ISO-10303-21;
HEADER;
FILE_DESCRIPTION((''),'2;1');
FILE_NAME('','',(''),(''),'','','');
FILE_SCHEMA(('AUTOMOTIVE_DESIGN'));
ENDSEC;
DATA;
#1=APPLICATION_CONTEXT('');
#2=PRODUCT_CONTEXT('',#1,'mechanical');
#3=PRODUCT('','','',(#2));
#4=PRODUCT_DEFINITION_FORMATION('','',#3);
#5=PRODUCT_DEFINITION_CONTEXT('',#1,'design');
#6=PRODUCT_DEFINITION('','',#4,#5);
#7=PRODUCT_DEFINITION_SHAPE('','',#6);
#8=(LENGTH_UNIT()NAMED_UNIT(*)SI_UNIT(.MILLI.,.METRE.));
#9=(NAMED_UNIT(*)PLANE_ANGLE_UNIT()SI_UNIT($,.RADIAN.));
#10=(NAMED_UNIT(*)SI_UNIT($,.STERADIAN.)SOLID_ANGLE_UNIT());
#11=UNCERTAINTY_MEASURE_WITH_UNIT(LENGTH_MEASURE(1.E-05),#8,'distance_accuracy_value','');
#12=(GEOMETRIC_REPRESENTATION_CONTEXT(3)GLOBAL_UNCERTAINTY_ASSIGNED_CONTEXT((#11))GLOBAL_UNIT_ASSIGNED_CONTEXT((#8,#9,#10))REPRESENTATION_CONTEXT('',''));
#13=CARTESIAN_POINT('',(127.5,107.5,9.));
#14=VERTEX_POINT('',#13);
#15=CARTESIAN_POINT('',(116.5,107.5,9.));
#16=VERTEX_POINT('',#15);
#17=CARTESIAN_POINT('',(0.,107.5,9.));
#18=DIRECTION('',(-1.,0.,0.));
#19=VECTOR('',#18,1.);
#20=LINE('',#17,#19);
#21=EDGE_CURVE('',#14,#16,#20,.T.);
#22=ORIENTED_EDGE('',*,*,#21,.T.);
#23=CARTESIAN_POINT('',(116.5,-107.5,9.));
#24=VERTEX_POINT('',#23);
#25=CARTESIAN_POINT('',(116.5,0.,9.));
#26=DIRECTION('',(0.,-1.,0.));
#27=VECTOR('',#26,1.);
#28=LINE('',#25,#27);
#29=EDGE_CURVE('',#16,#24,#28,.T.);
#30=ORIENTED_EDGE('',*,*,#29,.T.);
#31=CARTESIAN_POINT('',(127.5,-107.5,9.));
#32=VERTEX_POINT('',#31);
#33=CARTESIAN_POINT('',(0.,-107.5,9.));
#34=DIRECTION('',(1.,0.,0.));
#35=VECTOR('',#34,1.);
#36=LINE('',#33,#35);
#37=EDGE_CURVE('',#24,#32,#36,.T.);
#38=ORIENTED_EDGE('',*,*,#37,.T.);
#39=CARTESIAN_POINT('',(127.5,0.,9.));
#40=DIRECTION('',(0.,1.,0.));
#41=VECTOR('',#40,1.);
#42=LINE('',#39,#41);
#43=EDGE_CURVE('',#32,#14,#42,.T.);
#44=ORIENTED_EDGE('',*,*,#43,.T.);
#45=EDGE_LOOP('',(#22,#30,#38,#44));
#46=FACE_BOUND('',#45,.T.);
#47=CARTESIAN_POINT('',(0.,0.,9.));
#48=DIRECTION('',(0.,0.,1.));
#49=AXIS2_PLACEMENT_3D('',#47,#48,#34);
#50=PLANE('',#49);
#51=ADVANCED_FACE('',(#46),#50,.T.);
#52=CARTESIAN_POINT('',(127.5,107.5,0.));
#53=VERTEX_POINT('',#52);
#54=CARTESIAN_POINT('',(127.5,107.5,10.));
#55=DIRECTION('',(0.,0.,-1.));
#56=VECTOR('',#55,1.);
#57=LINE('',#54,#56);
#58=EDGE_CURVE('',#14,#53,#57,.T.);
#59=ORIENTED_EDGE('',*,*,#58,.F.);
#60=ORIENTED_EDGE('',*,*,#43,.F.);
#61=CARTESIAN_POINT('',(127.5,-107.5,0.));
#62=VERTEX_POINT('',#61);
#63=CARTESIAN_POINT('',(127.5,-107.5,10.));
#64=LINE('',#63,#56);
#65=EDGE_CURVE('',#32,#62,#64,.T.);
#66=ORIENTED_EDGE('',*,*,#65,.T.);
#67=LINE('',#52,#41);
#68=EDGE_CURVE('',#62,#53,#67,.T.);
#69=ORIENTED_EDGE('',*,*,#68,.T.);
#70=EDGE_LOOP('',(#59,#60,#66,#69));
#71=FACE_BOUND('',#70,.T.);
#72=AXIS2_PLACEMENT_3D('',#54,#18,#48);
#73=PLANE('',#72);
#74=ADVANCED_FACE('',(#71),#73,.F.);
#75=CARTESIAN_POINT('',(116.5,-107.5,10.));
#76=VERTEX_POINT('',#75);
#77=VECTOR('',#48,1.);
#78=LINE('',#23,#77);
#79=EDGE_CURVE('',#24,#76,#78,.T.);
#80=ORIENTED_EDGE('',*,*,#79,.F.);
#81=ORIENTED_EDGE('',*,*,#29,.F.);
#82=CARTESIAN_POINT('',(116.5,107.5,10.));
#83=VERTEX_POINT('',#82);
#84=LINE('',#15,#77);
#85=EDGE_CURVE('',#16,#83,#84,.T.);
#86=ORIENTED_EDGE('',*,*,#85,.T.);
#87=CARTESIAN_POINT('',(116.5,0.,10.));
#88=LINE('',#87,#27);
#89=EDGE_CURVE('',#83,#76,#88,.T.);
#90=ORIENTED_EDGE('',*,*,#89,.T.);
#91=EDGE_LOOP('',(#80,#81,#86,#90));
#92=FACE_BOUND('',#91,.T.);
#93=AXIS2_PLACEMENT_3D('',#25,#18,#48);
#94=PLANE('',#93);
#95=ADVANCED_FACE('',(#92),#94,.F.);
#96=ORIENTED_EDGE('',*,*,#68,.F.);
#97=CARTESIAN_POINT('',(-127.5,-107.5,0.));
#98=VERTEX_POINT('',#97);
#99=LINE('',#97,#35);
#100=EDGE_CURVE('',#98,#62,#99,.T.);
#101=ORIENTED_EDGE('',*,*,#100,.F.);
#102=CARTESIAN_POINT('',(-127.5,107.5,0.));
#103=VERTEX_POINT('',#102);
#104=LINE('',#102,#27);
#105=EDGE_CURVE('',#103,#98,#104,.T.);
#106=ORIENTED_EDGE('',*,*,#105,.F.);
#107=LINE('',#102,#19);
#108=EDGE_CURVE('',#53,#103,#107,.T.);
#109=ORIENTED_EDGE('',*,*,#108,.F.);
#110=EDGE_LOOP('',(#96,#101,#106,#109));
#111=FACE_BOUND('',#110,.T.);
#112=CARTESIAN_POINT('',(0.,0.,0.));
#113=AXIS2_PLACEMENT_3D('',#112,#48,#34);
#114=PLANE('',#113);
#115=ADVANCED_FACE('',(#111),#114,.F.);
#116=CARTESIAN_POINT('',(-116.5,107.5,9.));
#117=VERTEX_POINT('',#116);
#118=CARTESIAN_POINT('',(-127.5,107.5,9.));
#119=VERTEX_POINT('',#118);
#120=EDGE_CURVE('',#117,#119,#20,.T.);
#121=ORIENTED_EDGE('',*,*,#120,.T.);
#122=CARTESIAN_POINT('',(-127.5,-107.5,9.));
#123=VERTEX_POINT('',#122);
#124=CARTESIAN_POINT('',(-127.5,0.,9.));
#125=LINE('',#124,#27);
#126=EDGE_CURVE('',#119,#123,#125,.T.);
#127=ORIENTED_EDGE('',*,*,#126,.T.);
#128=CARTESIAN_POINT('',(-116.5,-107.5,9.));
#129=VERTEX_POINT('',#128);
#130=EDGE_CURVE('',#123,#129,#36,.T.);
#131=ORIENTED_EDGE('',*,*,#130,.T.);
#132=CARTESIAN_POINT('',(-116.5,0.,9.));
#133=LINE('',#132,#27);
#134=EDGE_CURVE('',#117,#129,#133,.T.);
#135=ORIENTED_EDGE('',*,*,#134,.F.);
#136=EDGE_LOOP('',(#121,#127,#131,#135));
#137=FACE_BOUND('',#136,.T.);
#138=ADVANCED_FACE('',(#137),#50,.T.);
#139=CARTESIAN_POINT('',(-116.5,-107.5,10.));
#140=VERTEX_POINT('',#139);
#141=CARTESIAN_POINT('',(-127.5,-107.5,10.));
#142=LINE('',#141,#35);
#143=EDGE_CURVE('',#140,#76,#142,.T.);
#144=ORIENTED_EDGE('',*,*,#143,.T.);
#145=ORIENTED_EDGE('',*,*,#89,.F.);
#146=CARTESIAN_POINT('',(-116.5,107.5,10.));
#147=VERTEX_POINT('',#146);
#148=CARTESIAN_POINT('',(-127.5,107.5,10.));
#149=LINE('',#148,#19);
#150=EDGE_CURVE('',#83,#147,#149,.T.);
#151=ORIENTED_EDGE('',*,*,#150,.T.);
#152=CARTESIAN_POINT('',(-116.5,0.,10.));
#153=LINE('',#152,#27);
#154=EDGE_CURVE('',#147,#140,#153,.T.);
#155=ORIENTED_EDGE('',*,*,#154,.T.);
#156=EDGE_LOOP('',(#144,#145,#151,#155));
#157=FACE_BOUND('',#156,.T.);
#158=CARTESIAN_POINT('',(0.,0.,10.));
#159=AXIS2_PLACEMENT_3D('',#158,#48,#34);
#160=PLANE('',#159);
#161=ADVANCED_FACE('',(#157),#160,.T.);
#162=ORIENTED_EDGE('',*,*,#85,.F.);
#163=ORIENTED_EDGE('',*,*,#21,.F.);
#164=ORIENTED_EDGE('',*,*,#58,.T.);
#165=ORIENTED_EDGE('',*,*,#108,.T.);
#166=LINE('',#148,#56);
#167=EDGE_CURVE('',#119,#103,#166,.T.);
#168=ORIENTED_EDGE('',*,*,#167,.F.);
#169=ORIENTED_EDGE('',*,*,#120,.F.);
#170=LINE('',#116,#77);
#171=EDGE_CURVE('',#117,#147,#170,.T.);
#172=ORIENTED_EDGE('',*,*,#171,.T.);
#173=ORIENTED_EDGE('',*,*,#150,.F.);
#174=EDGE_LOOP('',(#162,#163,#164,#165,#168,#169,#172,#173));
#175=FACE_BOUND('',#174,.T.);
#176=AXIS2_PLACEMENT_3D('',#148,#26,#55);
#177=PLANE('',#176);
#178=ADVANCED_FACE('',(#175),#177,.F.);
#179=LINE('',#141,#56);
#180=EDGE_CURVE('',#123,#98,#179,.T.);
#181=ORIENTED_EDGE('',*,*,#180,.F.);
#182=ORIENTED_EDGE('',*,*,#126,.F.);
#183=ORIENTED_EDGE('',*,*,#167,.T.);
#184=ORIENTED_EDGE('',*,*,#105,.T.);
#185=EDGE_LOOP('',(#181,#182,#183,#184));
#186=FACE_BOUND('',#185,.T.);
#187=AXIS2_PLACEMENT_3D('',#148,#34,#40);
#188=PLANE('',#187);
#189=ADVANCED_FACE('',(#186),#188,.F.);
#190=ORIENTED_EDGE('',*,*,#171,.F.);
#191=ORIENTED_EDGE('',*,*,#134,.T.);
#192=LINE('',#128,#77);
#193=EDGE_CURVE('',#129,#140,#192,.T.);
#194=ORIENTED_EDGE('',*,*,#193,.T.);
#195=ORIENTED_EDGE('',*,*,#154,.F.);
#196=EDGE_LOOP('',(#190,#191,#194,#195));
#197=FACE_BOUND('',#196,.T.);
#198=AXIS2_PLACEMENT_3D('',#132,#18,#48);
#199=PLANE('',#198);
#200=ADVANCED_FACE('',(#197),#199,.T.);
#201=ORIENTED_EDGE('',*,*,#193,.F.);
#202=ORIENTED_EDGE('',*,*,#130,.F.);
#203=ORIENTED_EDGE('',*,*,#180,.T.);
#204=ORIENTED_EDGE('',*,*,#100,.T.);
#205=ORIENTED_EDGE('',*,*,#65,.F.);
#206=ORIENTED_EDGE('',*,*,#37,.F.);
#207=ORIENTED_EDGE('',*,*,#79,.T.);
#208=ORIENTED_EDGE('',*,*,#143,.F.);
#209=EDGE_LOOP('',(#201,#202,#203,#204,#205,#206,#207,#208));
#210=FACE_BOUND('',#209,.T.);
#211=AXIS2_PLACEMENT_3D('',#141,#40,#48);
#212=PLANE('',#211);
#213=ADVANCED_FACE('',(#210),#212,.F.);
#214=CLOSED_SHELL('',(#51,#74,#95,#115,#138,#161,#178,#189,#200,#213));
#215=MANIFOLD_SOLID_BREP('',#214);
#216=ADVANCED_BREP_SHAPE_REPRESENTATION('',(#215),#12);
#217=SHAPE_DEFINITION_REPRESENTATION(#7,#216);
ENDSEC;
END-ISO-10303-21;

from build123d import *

# Parameters (mm, degrees)
ESQUISSE1_W             = 255
ESQUISSE1_H             = 215
BOSS_EXTRU_1_DEPTH      = 10
ESQUISSE2_W             = 11
ESQUISSE2_H             = 215
ENL_V_MAT_EXTRU_1_DEPTH = 1


with BuildPart() as part:
    # Esquisse1 → Boss.-Extru.1 (new body)
    with BuildSketch(Plane.XY):
        Rectangle(ESQUISSE1_W, ESQUISSE1_H)
    extrude(amount=BOSS_EXTRU_1_DEPTH)

    # Esquisse2 → Enlèv. mat.-Extru.1 (cut)
    with BuildSketch(Plane.XY.offset(10)):
        with Locations((-122, 0)):
            Rectangle(ESQUISSE2_W, ESQUISSE2_H)
        with Locations((122, 0)):
            Rectangle(ESQUISSE2_W, ESQUISSE2_H)
    extrude(amount=-ENL_V_MAT_EXTRU_1_DEPTH, mode=Mode.SUBTRACT)


solid = part.part
